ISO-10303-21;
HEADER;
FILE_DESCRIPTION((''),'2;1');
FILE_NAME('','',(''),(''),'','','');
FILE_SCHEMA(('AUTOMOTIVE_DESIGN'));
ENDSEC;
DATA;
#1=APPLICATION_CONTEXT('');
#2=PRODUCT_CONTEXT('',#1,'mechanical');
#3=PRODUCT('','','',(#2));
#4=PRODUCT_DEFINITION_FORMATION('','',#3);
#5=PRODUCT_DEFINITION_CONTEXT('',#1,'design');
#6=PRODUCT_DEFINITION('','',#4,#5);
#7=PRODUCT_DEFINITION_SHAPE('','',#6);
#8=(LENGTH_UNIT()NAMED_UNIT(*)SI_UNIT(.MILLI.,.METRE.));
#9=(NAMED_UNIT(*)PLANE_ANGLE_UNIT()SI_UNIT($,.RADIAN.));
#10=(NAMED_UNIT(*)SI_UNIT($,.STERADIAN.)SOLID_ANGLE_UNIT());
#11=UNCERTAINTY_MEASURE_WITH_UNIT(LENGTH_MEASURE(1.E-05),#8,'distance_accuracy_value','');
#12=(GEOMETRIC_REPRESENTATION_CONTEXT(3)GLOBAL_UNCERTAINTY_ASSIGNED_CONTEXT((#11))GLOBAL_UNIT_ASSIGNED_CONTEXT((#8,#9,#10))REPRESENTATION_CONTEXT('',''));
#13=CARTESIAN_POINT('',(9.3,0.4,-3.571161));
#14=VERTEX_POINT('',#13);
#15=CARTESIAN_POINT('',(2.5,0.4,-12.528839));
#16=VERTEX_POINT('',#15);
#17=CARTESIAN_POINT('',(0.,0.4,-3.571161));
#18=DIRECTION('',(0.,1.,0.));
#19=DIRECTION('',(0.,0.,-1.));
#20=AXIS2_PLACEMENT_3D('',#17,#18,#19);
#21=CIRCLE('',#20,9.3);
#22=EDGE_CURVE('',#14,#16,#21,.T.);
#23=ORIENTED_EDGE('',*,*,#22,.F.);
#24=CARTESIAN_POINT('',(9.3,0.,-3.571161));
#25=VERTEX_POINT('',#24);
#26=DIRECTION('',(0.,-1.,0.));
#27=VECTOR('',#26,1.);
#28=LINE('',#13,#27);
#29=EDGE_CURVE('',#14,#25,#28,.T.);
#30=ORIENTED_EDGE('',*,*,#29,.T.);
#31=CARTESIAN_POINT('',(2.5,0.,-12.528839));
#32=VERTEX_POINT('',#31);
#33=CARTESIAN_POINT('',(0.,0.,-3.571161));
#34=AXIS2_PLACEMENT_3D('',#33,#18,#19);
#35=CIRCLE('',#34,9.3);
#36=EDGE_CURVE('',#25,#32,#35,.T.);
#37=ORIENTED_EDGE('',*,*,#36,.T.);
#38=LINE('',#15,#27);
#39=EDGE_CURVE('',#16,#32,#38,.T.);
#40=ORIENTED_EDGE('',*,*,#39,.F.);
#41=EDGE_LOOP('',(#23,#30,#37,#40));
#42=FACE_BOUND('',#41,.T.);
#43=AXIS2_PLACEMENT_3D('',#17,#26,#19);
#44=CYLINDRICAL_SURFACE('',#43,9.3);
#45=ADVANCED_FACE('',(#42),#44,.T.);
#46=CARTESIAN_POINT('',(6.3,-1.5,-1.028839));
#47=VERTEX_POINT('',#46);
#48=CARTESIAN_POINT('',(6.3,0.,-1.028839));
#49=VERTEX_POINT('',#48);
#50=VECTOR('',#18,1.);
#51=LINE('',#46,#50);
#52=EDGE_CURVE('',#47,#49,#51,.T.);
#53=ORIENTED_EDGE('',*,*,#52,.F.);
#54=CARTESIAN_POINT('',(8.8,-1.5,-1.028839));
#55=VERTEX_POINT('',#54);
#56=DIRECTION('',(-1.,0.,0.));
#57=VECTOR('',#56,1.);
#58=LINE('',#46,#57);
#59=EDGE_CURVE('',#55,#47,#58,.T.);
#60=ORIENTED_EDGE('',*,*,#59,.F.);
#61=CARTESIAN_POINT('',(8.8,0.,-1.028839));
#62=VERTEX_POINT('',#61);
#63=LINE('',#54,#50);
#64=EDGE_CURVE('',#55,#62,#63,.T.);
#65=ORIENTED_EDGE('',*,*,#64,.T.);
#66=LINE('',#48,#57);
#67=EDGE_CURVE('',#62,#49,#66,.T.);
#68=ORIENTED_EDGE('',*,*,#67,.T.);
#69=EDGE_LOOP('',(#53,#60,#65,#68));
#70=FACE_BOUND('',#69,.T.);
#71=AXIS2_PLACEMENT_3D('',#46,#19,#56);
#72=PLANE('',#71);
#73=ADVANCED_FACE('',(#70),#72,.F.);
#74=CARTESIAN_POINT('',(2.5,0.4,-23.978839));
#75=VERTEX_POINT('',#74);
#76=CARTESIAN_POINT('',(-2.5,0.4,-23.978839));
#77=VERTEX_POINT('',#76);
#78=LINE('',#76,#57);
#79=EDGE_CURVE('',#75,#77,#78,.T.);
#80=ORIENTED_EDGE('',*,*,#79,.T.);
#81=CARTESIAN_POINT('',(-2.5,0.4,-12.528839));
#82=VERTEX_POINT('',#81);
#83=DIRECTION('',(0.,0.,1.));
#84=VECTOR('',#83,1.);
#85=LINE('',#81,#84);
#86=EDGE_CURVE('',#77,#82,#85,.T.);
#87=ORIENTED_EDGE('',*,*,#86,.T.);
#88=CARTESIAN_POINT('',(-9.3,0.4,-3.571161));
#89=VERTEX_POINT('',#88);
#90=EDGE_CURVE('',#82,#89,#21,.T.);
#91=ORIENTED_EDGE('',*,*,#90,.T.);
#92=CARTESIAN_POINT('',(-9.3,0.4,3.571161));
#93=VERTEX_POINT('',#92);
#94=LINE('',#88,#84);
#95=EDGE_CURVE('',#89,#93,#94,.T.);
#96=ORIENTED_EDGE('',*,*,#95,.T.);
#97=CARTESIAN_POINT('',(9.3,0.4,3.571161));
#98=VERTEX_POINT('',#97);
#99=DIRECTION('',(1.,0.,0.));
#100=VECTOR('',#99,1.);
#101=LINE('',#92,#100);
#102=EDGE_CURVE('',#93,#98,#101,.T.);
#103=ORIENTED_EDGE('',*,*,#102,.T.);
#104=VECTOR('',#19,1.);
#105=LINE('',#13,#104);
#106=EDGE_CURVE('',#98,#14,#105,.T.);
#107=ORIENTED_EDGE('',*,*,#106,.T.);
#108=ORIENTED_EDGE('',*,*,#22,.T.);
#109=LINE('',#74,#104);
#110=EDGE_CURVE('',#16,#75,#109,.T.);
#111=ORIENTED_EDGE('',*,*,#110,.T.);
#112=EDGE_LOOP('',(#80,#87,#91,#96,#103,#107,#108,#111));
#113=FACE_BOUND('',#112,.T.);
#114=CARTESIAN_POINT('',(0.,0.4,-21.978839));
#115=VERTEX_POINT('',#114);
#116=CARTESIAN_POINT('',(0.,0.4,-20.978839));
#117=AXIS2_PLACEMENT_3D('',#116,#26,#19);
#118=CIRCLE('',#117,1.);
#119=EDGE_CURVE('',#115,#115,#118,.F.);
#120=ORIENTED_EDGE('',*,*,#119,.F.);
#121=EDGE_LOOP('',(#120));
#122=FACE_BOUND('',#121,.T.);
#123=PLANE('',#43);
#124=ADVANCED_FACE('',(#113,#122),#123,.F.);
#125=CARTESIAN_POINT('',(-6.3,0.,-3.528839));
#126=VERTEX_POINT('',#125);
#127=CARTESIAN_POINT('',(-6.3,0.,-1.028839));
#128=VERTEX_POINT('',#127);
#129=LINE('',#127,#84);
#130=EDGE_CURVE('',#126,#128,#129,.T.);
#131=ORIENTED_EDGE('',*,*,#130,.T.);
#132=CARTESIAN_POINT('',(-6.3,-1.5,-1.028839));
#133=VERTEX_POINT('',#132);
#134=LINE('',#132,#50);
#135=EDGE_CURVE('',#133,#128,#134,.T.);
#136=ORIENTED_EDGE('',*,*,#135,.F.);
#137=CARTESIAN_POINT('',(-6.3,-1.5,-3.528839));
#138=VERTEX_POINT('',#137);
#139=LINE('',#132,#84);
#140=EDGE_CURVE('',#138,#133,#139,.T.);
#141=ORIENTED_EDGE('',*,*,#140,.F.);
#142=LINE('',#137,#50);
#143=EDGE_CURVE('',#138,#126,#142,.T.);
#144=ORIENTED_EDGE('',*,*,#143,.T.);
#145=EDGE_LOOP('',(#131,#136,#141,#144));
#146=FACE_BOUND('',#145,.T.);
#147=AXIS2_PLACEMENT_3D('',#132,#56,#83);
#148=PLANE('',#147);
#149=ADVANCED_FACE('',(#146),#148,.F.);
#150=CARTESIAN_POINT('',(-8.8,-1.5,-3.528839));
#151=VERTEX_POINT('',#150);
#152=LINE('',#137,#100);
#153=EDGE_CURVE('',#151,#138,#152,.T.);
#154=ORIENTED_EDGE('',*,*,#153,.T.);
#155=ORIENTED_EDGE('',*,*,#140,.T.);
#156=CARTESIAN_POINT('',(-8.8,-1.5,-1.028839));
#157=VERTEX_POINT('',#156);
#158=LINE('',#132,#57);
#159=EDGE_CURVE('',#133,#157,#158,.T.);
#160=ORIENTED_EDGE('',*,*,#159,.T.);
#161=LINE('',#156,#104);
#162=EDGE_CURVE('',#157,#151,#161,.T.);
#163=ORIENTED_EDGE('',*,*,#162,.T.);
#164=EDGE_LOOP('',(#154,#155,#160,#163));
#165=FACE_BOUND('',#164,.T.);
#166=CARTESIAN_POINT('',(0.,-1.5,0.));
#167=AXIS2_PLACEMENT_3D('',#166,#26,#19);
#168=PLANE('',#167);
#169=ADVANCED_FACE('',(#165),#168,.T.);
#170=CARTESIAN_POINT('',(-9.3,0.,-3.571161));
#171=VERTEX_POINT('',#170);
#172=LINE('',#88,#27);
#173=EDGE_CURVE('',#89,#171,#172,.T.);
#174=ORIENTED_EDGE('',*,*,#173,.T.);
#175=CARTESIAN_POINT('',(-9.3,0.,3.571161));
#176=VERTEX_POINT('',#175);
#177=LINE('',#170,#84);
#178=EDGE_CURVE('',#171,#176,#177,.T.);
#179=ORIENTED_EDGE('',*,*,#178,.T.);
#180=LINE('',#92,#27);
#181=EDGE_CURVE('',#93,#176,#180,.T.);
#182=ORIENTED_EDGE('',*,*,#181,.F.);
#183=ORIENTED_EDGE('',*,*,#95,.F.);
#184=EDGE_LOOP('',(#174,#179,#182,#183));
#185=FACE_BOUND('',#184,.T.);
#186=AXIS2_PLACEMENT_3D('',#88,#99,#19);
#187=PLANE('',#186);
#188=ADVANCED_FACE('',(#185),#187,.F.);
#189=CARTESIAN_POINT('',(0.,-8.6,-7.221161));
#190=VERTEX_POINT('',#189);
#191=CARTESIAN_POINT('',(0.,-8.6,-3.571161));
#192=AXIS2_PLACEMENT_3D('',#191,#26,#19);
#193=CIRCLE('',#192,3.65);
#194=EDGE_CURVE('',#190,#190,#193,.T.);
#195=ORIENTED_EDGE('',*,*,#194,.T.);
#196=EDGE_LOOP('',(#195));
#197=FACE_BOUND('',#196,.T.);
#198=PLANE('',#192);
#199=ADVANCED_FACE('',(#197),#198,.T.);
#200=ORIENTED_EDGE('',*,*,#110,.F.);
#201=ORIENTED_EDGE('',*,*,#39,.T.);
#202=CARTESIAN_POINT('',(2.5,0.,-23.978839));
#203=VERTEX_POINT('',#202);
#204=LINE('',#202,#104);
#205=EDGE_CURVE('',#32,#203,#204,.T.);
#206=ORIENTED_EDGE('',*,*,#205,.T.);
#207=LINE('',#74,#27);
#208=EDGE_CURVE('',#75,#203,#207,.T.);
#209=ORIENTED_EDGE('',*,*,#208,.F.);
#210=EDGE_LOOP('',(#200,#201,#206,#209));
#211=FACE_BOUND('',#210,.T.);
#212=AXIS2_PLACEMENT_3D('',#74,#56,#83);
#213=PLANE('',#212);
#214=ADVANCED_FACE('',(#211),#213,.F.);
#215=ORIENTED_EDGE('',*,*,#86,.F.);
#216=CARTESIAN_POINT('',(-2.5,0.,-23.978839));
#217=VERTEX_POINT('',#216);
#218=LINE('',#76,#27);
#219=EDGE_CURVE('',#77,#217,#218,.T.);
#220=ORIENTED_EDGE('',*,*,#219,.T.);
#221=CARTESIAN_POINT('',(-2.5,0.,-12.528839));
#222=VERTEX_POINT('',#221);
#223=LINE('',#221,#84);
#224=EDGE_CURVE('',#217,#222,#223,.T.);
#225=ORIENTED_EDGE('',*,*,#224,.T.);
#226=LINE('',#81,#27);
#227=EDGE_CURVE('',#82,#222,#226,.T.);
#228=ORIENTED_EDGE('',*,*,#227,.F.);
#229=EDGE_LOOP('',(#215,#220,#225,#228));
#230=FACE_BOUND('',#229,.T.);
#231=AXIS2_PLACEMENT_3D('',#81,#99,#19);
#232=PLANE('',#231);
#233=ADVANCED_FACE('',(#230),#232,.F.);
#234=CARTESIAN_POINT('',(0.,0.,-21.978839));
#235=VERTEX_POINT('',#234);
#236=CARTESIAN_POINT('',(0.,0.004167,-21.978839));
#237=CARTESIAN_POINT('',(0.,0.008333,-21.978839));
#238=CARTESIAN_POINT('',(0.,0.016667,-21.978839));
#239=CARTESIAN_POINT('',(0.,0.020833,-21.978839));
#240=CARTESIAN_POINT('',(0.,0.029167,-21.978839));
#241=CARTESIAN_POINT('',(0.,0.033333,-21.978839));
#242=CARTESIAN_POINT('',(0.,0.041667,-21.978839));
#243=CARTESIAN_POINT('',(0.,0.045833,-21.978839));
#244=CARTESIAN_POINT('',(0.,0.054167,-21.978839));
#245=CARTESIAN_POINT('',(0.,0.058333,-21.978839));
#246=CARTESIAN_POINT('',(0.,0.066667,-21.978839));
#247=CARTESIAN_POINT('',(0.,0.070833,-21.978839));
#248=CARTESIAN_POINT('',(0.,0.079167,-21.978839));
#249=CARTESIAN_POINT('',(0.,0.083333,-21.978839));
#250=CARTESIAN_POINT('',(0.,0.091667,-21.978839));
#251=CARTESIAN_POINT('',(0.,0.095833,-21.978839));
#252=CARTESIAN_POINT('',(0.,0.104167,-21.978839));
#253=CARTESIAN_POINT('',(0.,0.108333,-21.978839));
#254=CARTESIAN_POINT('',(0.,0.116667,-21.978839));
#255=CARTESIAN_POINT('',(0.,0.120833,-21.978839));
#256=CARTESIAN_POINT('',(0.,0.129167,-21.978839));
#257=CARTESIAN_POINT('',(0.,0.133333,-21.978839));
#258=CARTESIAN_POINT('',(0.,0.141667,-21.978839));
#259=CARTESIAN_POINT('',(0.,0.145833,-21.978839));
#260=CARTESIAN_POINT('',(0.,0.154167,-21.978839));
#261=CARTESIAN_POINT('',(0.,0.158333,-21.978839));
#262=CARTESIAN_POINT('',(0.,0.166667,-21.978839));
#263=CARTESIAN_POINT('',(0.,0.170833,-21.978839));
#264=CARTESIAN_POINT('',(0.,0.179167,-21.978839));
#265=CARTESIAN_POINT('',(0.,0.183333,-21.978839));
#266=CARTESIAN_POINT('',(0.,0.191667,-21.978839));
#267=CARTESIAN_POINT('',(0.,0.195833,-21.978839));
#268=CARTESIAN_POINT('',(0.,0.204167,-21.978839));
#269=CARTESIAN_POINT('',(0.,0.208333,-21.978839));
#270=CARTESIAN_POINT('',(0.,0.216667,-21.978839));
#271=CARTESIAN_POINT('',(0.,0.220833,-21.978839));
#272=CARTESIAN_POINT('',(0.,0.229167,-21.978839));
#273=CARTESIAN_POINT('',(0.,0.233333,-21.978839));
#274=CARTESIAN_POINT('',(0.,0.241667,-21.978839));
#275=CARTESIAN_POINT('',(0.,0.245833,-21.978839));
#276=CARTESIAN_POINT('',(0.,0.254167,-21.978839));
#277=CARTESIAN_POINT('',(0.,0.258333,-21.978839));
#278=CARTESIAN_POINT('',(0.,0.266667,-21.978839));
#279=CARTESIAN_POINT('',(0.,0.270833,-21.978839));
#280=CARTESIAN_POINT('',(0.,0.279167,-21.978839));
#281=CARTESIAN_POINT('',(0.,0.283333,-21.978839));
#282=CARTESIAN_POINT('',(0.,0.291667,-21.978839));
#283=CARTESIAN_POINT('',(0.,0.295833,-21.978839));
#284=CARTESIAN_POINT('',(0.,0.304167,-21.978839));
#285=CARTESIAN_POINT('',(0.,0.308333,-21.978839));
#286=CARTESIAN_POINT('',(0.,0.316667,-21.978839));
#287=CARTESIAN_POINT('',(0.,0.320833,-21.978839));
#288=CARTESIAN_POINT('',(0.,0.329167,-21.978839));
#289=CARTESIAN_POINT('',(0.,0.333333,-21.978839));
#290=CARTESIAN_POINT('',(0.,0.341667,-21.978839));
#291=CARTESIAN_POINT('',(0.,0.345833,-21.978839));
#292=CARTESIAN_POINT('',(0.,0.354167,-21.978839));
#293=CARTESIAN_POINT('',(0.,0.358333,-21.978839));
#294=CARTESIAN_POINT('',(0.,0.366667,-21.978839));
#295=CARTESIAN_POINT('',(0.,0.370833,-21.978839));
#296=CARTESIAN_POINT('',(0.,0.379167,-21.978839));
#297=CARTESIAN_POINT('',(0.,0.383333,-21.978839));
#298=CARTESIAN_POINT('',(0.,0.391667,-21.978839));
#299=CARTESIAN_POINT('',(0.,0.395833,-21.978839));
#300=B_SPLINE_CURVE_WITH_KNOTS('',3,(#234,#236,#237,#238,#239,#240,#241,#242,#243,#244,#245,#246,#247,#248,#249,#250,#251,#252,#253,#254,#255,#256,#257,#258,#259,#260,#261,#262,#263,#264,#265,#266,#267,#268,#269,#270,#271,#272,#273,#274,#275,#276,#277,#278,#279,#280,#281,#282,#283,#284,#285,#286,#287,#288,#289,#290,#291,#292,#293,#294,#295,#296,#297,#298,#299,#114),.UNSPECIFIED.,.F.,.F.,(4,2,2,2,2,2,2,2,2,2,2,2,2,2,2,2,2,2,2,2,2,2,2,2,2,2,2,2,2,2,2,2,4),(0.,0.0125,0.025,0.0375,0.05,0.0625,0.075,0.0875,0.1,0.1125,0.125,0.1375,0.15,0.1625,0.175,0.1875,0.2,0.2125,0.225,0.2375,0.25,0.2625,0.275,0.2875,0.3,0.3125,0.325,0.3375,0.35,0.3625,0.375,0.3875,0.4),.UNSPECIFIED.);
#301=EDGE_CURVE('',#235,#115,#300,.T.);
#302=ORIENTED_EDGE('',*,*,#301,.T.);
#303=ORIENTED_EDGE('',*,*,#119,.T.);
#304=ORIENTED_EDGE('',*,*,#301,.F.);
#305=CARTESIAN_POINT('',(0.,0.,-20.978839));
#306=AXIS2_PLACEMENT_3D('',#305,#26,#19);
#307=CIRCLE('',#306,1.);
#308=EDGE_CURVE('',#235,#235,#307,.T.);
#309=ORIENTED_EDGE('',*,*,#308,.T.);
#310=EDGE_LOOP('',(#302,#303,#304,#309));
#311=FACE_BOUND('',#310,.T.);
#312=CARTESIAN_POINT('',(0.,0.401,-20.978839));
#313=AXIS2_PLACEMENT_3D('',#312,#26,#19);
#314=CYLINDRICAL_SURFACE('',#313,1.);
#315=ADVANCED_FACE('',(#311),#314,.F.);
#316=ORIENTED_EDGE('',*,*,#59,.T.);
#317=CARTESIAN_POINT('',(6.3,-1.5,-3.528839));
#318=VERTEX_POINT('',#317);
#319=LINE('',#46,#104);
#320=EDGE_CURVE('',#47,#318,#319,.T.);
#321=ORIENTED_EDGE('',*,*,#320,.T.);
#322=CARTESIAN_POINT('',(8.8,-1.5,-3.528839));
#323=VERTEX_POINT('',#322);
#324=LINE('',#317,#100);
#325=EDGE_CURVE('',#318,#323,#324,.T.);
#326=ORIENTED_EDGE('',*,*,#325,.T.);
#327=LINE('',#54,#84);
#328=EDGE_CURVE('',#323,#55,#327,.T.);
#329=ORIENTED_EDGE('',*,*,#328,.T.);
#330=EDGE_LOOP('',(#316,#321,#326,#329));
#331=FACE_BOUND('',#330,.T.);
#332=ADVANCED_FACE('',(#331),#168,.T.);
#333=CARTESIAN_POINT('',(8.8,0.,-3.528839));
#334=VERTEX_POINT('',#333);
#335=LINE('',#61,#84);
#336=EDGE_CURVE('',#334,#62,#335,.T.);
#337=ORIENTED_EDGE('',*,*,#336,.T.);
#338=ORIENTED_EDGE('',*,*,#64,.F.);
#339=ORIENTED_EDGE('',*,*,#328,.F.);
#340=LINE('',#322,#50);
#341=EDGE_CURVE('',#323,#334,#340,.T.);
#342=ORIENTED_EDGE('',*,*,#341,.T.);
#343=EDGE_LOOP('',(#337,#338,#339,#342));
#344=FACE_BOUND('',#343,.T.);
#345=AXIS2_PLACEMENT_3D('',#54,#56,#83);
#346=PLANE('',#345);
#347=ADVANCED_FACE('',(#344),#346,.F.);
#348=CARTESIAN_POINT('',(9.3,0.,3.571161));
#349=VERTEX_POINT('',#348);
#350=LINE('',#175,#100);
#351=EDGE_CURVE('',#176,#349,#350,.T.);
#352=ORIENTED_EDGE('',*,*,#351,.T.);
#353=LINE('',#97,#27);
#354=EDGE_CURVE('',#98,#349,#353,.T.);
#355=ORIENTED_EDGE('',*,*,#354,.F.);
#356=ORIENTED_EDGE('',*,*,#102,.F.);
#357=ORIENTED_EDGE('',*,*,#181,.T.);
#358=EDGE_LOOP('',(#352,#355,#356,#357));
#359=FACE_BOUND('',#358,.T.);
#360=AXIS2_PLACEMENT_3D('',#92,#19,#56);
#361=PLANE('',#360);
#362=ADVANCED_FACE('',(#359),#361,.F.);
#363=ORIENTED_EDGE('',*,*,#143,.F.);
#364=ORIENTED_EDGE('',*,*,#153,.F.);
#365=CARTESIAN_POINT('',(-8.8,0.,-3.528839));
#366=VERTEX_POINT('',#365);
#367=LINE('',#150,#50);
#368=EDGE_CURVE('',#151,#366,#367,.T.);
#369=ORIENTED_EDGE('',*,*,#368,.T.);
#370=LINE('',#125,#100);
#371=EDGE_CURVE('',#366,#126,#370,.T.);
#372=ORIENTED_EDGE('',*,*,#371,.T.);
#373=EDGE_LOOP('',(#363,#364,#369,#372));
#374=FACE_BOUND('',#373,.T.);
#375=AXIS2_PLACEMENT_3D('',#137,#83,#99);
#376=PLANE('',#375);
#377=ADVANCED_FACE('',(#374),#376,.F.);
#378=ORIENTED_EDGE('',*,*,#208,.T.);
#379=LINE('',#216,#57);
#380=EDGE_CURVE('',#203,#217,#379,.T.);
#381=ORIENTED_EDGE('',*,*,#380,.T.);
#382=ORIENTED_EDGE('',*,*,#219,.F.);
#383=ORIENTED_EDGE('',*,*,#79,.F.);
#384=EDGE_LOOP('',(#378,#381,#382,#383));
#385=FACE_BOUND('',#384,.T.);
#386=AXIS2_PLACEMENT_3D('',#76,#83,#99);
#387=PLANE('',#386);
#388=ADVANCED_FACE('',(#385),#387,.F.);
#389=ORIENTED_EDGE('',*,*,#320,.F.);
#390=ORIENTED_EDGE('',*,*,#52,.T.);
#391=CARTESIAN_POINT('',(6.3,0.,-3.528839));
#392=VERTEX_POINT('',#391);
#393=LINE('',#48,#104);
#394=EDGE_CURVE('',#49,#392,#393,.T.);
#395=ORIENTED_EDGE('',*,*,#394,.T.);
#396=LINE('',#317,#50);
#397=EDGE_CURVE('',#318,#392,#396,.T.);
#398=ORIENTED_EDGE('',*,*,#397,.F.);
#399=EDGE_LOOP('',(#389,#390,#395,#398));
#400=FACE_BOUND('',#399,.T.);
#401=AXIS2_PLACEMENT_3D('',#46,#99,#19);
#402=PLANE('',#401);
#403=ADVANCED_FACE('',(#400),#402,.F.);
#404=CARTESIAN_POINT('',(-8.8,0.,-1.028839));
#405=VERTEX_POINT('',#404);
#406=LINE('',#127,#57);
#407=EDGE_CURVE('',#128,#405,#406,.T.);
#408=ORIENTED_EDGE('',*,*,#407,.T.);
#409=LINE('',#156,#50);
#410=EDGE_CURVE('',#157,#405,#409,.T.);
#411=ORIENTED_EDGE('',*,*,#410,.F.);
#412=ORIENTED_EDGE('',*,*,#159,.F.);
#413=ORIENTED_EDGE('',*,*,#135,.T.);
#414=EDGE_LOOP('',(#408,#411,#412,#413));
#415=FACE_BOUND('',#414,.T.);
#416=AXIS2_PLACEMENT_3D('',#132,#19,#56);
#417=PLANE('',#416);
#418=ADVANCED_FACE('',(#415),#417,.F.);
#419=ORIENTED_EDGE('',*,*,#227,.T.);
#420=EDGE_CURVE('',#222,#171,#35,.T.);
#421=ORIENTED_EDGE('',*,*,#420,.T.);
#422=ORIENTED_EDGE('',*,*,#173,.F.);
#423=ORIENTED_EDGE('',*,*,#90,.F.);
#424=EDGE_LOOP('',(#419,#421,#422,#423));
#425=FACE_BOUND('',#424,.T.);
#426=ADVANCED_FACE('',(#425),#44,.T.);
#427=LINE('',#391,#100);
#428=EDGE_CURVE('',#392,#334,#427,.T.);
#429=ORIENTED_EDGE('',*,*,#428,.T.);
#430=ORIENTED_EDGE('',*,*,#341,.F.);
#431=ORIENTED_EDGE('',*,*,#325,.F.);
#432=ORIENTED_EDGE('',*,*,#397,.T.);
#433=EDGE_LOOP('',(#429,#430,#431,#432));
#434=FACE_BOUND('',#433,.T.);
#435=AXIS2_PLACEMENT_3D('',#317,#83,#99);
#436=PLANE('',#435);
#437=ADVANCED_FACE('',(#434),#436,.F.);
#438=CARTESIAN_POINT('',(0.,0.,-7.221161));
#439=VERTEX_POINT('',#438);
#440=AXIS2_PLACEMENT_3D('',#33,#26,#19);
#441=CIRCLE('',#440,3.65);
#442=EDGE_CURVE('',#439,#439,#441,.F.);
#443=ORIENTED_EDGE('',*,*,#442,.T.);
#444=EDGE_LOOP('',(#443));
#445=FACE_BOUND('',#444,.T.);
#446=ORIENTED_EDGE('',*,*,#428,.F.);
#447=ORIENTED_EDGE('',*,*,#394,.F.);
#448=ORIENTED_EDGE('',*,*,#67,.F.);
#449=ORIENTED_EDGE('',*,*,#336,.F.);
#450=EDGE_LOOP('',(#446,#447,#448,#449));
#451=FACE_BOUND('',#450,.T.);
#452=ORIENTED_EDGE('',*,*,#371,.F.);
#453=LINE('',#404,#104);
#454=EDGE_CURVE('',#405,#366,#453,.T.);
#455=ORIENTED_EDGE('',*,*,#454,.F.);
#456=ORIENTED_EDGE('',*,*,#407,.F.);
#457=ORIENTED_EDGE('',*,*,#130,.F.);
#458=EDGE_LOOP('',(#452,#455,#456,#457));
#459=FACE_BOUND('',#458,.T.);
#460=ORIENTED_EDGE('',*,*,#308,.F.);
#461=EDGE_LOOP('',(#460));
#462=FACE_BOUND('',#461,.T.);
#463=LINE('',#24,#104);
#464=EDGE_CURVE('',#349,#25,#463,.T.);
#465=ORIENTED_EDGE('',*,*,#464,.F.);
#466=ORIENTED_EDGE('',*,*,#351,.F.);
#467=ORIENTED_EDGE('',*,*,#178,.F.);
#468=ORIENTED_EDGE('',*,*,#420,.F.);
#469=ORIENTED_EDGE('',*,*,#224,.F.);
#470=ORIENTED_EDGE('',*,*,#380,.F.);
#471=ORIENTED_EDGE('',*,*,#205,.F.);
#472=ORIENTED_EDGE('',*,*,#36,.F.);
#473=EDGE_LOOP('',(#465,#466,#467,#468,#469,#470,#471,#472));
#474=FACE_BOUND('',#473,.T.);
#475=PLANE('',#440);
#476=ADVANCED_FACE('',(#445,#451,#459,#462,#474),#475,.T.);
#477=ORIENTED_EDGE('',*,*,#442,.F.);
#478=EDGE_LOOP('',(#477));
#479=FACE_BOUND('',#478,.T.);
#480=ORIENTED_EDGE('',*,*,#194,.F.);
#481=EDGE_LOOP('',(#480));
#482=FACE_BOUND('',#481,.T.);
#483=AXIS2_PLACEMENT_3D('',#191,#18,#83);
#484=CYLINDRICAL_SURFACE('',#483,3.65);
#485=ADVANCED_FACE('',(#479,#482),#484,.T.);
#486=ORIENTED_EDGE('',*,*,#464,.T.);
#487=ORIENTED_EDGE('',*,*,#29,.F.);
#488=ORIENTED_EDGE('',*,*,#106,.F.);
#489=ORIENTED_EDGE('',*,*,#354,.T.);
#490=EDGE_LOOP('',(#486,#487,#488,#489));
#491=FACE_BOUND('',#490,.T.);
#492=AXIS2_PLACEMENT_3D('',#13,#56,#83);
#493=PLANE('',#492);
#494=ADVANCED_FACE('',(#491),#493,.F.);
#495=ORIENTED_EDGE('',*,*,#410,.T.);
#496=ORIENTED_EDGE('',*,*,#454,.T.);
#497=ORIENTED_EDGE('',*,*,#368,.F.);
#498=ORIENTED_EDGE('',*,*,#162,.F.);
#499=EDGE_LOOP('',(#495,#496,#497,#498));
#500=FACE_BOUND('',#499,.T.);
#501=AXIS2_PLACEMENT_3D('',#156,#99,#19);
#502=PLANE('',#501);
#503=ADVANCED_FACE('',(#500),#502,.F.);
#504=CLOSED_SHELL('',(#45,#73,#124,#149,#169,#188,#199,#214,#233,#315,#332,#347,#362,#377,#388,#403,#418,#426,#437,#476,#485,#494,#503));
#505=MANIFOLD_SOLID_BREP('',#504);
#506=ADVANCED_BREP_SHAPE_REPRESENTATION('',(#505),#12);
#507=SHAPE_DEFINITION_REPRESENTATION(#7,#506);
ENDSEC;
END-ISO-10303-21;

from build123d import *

# Parameters (mm, degrees)
EXTRUDE_1_DEPTH     = 0.4
SKETCH_3_W          = 2.5
SKETCH_3_H          = 2.5
EXTRUDE_2_DEPTH     = 1.5
CUT_EXTRUDE_1_REACH = 27.763
SKETCH_5_R          = 1
EXTRUDE_START       = -0.4
SKETCH_6_R          = 3.65
EXTRUDE_3_DEPTH     = 9


with BuildPart() as part:
    # 草图1 → 凸台-拉伸1 (new body)
    with BuildSketch(Plane(origin=(0, 0, 0), x_dir=(1, 0, 0), z_dir=(0, 1, 0))):
        with BuildLine():
            Line((-2.5, 12.528839135), (-2.5, 23.978839135))
            Line((-2.5, 23.978839135), (2.5, 23.978839135))
            Line((2.5, 23.978839135), (2.5, 12.528839135))
            ThreePointArc((2.5, 12.528839135), (7.407428704, 9.194327232), (9.3, 3.571160865))
            Line((9.3, 3.571160865), (9.3, -3.571160865))
            Line((9.3, -3.571160865), (-9.3, -3.571160865))
            Line((-9.3, -3.571160865), (-9.3, 3.571160865))
            ThreePointArc((-9.3, 3.571160865), (-7.407428704, 9.194327232), (-2.5, 12.528839135))
        make_face()
    extrude(amount=EXTRUDE_1_DEPTH)

    # 草图3 → 凸台-拉伸2 (add)
    with BuildSketch(Plane.XZ):
        with Locations((7.55, -2.278839135)):
            Rectangle(SKETCH_3_W, SKETCH_3_H)
        with Locations((-7.55, -2.278839135)):
            Rectangle(SKETCH_3_W, SKETCH_3_H)
    extrude(amount=EXTRUDE_2_DEPTH)

    # 草图5 → 切除-拉伸1 (cut, up to next)
    with BuildSketch(Plane.XZ, mode=Mode.PRIVATE) as cut_extrude_1_sk1:
        with Locations(Location((0, -20.978839135, 0), (0, 0, 270))):
            Circle(SKETCH_5_R)
    cut_extrude_1_tool1 = extrude(cut_extrude_1_sk1.sketch, amount=-CUT_EXTRUDE_1_REACH, mode=Mode.PRIVATE) & part.part
    add(cut_extrude_1_tool1.solids().sort_by_distance((0, 0, -20.978839))[0], mode=Mode.SUBTRACT)

    # 草图6 → 凸台-拉伸3 (add)
    with BuildSketch(Plane.XZ.offset(EXTRUDE_START)):
        with Locations(Location((0, -3.571160865, 0), (0, 0, 270))):
            Circle(SKETCH_6_R)
    extrude(amount=EXTRUDE_3_DEPTH)


solid = part.part
